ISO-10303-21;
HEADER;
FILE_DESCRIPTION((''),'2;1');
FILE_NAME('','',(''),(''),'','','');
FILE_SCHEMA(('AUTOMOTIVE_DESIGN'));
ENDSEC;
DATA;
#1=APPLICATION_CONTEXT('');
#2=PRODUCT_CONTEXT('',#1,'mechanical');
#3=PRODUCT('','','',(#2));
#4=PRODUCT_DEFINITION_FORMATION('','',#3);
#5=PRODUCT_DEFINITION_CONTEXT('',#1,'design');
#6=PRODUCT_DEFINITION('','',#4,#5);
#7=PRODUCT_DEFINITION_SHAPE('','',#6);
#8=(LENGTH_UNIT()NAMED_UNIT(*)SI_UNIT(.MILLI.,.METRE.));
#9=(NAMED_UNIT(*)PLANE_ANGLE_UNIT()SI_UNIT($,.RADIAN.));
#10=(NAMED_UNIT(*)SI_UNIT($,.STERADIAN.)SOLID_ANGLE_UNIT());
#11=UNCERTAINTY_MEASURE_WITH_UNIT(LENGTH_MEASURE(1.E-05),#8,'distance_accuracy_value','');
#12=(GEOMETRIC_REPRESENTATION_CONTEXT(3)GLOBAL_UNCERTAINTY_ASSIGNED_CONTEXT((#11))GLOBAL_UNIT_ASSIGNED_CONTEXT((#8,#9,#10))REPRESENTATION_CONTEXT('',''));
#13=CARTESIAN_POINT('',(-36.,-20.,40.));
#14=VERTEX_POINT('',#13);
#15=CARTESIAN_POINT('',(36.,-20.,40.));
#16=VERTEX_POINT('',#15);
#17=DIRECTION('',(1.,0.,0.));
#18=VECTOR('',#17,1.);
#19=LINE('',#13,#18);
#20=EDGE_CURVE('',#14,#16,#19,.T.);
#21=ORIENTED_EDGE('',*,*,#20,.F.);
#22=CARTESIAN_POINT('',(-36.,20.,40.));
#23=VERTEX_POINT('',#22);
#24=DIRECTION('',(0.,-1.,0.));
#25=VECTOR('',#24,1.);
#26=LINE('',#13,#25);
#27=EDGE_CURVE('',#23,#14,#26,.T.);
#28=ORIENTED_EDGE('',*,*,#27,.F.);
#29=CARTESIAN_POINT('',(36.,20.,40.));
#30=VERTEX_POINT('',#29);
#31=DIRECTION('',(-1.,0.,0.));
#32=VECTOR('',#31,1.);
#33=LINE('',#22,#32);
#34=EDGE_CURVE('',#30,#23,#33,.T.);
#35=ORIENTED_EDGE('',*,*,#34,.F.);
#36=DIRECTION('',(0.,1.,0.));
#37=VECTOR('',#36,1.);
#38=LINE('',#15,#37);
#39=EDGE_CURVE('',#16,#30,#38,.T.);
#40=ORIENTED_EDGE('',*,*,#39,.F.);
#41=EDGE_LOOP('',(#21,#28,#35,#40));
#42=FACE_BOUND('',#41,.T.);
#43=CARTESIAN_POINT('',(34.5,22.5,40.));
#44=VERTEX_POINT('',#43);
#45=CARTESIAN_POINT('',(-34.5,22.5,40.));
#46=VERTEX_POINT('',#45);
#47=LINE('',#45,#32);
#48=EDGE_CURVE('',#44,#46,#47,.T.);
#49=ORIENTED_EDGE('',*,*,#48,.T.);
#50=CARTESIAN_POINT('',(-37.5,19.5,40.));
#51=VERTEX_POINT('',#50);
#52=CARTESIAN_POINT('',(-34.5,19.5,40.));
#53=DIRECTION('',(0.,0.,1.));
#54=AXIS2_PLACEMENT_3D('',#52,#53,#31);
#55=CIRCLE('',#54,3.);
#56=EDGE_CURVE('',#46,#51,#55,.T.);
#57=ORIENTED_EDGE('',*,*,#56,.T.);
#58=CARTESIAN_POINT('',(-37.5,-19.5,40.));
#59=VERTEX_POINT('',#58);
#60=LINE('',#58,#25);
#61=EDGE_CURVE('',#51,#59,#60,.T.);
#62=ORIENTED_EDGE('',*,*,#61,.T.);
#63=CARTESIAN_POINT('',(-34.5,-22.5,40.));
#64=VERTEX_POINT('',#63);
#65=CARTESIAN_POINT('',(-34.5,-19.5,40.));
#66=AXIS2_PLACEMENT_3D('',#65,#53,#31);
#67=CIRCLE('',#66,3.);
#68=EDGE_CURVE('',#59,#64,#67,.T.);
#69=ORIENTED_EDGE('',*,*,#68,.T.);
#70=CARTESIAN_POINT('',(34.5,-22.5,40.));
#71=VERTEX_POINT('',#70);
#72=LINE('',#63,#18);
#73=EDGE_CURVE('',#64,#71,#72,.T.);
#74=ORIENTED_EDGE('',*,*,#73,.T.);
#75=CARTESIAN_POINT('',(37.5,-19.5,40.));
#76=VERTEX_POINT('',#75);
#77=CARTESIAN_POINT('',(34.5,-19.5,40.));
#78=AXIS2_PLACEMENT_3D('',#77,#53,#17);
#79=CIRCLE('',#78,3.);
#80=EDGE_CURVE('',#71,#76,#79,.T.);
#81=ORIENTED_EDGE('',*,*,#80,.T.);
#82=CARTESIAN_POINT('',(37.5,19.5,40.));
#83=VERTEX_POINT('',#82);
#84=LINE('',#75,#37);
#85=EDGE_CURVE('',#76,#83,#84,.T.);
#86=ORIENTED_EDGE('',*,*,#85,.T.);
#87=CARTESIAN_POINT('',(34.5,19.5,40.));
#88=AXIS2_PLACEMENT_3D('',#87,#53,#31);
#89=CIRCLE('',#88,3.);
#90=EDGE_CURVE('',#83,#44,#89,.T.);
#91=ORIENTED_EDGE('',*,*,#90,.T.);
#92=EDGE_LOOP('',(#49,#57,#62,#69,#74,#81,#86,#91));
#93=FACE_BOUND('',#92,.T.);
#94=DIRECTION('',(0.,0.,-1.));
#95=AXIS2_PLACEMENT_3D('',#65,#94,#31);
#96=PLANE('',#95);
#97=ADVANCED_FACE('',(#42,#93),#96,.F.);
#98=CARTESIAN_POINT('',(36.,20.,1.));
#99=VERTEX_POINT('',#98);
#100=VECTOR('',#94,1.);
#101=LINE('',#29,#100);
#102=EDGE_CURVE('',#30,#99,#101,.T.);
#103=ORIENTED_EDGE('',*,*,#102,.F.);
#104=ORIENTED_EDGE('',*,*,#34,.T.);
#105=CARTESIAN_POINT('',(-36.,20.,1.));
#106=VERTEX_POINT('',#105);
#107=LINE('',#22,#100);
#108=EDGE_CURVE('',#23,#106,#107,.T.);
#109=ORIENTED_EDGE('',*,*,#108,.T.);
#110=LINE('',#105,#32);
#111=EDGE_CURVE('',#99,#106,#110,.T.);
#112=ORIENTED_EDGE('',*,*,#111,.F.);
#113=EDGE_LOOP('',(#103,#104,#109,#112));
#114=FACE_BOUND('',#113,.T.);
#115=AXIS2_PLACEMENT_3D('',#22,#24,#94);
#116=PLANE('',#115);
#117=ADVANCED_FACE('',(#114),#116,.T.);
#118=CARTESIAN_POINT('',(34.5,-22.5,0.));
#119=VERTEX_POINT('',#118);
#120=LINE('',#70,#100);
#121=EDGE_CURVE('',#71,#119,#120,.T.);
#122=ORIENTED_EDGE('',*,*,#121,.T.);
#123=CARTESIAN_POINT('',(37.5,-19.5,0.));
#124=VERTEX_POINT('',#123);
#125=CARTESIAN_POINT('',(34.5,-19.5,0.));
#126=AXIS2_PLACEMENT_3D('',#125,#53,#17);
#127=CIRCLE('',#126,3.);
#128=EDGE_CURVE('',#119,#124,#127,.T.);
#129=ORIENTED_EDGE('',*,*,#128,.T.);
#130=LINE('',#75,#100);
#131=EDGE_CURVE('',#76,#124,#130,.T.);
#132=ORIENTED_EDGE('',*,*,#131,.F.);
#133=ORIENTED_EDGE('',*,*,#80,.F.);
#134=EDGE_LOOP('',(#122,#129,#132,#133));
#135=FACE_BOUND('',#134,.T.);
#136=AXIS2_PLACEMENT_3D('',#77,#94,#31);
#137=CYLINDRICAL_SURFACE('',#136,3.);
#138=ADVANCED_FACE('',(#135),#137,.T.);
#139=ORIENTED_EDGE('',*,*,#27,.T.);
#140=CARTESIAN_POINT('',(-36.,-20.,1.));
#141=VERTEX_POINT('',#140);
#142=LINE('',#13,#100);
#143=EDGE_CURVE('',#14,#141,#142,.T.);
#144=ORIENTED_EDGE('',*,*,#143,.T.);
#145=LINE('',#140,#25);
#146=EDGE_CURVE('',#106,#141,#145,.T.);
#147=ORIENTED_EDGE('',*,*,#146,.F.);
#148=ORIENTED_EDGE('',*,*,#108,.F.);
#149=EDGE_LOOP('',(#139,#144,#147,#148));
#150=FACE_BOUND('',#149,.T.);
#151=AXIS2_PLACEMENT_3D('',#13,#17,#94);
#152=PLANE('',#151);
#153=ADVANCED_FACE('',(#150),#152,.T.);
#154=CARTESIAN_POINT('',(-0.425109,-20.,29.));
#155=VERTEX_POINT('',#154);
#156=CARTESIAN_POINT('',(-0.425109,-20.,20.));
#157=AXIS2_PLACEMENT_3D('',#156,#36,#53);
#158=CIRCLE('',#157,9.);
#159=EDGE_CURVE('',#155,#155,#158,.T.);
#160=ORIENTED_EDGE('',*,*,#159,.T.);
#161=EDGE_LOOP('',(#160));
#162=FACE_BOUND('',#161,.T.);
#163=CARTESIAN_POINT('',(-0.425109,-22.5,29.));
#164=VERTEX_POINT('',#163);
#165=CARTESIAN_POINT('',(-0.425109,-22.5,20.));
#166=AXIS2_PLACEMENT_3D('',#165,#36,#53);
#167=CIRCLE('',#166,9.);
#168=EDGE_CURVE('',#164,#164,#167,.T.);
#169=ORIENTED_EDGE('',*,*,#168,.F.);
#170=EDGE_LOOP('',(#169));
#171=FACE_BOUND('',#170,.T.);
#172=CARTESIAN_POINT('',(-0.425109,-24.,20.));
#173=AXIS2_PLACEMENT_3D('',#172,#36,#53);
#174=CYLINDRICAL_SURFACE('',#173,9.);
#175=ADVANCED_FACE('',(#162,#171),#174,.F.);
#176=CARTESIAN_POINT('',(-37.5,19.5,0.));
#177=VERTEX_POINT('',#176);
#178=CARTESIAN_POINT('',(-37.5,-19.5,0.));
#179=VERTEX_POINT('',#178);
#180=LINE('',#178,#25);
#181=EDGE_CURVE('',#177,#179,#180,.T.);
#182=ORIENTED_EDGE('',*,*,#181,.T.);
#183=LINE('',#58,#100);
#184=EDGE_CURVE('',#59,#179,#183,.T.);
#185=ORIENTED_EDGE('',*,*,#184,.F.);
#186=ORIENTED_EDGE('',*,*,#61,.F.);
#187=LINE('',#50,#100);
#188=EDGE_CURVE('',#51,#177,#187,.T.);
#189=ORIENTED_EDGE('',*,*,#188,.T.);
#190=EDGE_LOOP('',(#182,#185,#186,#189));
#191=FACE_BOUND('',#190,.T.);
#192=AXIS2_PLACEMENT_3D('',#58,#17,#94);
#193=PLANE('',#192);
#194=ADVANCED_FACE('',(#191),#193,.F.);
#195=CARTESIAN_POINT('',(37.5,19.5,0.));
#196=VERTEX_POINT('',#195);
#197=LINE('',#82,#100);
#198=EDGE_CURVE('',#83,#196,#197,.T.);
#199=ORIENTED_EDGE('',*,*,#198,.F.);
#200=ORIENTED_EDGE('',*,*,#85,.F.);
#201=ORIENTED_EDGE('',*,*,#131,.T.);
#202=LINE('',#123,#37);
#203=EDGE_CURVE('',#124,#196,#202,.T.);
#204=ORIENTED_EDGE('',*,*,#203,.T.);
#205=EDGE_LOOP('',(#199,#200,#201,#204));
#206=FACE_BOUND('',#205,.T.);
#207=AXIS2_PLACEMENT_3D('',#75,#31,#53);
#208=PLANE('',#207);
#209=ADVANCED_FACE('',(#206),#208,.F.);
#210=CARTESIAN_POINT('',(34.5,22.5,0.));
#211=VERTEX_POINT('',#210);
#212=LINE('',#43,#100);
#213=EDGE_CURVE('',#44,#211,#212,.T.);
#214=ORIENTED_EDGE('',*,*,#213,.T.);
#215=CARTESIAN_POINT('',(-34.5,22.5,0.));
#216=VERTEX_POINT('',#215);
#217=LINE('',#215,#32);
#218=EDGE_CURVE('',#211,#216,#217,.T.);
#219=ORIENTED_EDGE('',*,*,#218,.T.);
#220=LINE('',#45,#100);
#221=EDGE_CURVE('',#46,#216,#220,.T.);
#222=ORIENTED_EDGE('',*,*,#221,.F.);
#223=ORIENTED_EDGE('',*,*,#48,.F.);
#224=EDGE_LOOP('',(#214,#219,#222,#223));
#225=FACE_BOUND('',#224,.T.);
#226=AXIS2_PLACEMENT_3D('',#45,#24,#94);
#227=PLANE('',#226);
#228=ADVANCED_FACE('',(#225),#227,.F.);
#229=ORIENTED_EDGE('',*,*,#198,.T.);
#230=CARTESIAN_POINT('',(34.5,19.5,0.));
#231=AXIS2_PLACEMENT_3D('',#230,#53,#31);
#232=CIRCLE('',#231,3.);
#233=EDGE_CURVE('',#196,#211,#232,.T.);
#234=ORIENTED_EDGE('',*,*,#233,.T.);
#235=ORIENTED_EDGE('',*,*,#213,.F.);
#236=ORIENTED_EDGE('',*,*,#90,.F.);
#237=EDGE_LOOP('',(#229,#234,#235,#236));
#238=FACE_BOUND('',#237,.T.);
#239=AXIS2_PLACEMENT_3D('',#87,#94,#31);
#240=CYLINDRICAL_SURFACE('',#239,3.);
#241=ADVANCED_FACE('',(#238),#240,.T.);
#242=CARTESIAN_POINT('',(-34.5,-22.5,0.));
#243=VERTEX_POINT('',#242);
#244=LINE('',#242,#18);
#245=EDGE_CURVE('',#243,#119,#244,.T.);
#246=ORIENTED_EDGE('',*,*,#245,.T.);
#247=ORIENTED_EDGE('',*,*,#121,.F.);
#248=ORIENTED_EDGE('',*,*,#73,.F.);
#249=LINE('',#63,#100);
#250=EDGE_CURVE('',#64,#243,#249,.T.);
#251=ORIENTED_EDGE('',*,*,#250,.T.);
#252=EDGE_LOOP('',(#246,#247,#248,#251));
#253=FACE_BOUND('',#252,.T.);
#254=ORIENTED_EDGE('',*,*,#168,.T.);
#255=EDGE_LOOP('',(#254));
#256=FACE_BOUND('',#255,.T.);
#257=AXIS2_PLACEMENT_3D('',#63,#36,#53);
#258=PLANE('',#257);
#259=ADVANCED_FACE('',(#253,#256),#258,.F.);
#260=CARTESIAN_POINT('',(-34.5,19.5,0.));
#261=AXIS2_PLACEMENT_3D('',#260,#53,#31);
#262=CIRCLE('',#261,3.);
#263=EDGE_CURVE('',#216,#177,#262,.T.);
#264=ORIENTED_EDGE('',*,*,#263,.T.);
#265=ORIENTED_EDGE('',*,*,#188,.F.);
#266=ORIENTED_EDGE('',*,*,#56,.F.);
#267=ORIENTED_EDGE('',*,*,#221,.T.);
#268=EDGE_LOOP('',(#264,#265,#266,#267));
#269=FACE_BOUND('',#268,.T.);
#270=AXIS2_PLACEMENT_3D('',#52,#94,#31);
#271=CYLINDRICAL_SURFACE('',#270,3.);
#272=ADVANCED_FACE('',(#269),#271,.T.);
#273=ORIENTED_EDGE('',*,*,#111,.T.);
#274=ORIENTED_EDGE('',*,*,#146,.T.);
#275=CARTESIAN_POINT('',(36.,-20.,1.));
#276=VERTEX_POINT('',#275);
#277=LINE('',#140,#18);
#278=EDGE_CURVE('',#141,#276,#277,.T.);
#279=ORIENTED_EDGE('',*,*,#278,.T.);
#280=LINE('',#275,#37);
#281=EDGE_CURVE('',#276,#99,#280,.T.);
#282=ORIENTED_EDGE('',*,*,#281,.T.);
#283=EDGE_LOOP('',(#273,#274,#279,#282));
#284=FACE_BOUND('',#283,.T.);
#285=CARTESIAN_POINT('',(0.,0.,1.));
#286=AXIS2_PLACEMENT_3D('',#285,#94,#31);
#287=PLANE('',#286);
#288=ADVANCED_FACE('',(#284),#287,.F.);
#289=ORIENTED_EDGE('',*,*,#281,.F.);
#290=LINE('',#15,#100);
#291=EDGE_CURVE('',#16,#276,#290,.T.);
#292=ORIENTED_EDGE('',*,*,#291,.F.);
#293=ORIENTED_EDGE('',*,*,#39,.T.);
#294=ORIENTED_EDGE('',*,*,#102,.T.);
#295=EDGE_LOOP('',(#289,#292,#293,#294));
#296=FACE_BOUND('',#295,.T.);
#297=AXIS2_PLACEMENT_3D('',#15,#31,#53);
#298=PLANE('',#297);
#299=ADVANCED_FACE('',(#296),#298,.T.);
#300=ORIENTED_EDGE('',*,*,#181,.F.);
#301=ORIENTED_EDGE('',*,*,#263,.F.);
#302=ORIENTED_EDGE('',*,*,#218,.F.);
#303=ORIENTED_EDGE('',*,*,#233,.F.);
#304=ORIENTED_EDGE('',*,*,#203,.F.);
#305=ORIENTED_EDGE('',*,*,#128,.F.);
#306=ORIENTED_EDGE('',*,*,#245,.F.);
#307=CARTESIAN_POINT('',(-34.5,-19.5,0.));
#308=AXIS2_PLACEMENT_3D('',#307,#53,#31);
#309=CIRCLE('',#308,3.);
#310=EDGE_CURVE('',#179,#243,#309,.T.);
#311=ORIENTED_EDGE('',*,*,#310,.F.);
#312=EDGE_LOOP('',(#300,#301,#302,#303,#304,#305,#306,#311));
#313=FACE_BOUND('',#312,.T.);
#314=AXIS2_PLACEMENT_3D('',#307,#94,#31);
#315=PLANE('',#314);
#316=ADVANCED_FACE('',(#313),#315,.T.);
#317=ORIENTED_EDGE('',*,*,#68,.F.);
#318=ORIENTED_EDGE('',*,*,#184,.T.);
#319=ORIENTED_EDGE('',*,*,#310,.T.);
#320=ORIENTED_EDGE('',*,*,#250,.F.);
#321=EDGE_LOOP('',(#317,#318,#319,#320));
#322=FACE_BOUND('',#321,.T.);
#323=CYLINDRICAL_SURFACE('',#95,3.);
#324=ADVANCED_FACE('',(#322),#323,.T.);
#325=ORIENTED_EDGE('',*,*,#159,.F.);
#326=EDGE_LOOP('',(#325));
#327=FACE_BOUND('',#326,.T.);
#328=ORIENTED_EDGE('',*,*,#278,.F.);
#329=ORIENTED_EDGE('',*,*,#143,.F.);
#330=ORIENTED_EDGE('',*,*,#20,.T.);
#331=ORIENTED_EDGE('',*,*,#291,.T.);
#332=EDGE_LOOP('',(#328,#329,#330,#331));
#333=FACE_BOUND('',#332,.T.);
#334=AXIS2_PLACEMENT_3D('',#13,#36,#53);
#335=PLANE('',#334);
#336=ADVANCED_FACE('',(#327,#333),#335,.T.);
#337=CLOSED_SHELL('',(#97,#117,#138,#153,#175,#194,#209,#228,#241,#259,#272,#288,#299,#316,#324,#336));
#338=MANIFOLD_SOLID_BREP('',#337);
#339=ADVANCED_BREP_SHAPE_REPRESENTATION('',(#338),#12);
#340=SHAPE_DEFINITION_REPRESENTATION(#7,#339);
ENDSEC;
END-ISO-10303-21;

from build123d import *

# Parameters (mm, degrees)
SKETCH1_W           = 72
SKETCH1_H           = 40
BOSS_EXTRUDE2_DEPTH = 40
SKETCH3_R           = 9
CUT_EXTRUDE2_DEPTH  = 4
SKETCH7_W           = 72
SKETCH7_H           = 40
BOSS_EXTRUDE5_DEPTH = 1


with BuildPart() as part:
    # Sketch1 → Boss-Extrude2 (new body)
    with BuildSketch(Plane.XY):
        with BuildLine():
            Line((-34.5, -22.5), (34.5, -22.5))
            ThreePointArc((34.5, -22.5), (36.621320344, -21.621320344), (37.5, -19.5))
            Line((37.5, -19.5), (37.5, 19.5))
            ThreePointArc((37.5, 19.5), (36.621320344, 21.621320344), (34.5, 22.5))
            Line((34.5, 22.5), (-34.5, 22.5))
            ThreePointArc((-34.5, 22.5), (-36.621320344, 21.621320344), (-37.5, 19.5))
            Line((-37.5, 19.5), (-37.5, -19.5))
            ThreePointArc((-37.5, -19.5), (-36.621320344, -21.621320344), (-34.5, -22.5))
        make_face()
        Rectangle(SKETCH1_W, SKETCH1_H, mode=Mode.SUBTRACT)
    extrude(amount=BOSS_EXTRUDE2_DEPTH)

    # Sketch3 → Cut-Extrude2 (cut)
    with BuildSketch(Plane(origin=(0, -20, 0), x_dir=(1, 0, 0), z_dir=(0, 1, 0))):
        with Locations(Location((-0.42510875, -20, 0), (0, 0, 270))):
            Circle(SKETCH3_R)
    extrude(amount=-CUT_EXTRUDE2_DEPTH, mode=Mode.SUBTRACT)

    # Sketch7 → Boss-Extrude5 (add)
    with BuildSketch(Plane.XY):
        Rectangle(SKETCH7_W, SKETCH7_H)
    extrude(amount=BOSS_EXTRUDE5_DEPTH)


solid = part.part
